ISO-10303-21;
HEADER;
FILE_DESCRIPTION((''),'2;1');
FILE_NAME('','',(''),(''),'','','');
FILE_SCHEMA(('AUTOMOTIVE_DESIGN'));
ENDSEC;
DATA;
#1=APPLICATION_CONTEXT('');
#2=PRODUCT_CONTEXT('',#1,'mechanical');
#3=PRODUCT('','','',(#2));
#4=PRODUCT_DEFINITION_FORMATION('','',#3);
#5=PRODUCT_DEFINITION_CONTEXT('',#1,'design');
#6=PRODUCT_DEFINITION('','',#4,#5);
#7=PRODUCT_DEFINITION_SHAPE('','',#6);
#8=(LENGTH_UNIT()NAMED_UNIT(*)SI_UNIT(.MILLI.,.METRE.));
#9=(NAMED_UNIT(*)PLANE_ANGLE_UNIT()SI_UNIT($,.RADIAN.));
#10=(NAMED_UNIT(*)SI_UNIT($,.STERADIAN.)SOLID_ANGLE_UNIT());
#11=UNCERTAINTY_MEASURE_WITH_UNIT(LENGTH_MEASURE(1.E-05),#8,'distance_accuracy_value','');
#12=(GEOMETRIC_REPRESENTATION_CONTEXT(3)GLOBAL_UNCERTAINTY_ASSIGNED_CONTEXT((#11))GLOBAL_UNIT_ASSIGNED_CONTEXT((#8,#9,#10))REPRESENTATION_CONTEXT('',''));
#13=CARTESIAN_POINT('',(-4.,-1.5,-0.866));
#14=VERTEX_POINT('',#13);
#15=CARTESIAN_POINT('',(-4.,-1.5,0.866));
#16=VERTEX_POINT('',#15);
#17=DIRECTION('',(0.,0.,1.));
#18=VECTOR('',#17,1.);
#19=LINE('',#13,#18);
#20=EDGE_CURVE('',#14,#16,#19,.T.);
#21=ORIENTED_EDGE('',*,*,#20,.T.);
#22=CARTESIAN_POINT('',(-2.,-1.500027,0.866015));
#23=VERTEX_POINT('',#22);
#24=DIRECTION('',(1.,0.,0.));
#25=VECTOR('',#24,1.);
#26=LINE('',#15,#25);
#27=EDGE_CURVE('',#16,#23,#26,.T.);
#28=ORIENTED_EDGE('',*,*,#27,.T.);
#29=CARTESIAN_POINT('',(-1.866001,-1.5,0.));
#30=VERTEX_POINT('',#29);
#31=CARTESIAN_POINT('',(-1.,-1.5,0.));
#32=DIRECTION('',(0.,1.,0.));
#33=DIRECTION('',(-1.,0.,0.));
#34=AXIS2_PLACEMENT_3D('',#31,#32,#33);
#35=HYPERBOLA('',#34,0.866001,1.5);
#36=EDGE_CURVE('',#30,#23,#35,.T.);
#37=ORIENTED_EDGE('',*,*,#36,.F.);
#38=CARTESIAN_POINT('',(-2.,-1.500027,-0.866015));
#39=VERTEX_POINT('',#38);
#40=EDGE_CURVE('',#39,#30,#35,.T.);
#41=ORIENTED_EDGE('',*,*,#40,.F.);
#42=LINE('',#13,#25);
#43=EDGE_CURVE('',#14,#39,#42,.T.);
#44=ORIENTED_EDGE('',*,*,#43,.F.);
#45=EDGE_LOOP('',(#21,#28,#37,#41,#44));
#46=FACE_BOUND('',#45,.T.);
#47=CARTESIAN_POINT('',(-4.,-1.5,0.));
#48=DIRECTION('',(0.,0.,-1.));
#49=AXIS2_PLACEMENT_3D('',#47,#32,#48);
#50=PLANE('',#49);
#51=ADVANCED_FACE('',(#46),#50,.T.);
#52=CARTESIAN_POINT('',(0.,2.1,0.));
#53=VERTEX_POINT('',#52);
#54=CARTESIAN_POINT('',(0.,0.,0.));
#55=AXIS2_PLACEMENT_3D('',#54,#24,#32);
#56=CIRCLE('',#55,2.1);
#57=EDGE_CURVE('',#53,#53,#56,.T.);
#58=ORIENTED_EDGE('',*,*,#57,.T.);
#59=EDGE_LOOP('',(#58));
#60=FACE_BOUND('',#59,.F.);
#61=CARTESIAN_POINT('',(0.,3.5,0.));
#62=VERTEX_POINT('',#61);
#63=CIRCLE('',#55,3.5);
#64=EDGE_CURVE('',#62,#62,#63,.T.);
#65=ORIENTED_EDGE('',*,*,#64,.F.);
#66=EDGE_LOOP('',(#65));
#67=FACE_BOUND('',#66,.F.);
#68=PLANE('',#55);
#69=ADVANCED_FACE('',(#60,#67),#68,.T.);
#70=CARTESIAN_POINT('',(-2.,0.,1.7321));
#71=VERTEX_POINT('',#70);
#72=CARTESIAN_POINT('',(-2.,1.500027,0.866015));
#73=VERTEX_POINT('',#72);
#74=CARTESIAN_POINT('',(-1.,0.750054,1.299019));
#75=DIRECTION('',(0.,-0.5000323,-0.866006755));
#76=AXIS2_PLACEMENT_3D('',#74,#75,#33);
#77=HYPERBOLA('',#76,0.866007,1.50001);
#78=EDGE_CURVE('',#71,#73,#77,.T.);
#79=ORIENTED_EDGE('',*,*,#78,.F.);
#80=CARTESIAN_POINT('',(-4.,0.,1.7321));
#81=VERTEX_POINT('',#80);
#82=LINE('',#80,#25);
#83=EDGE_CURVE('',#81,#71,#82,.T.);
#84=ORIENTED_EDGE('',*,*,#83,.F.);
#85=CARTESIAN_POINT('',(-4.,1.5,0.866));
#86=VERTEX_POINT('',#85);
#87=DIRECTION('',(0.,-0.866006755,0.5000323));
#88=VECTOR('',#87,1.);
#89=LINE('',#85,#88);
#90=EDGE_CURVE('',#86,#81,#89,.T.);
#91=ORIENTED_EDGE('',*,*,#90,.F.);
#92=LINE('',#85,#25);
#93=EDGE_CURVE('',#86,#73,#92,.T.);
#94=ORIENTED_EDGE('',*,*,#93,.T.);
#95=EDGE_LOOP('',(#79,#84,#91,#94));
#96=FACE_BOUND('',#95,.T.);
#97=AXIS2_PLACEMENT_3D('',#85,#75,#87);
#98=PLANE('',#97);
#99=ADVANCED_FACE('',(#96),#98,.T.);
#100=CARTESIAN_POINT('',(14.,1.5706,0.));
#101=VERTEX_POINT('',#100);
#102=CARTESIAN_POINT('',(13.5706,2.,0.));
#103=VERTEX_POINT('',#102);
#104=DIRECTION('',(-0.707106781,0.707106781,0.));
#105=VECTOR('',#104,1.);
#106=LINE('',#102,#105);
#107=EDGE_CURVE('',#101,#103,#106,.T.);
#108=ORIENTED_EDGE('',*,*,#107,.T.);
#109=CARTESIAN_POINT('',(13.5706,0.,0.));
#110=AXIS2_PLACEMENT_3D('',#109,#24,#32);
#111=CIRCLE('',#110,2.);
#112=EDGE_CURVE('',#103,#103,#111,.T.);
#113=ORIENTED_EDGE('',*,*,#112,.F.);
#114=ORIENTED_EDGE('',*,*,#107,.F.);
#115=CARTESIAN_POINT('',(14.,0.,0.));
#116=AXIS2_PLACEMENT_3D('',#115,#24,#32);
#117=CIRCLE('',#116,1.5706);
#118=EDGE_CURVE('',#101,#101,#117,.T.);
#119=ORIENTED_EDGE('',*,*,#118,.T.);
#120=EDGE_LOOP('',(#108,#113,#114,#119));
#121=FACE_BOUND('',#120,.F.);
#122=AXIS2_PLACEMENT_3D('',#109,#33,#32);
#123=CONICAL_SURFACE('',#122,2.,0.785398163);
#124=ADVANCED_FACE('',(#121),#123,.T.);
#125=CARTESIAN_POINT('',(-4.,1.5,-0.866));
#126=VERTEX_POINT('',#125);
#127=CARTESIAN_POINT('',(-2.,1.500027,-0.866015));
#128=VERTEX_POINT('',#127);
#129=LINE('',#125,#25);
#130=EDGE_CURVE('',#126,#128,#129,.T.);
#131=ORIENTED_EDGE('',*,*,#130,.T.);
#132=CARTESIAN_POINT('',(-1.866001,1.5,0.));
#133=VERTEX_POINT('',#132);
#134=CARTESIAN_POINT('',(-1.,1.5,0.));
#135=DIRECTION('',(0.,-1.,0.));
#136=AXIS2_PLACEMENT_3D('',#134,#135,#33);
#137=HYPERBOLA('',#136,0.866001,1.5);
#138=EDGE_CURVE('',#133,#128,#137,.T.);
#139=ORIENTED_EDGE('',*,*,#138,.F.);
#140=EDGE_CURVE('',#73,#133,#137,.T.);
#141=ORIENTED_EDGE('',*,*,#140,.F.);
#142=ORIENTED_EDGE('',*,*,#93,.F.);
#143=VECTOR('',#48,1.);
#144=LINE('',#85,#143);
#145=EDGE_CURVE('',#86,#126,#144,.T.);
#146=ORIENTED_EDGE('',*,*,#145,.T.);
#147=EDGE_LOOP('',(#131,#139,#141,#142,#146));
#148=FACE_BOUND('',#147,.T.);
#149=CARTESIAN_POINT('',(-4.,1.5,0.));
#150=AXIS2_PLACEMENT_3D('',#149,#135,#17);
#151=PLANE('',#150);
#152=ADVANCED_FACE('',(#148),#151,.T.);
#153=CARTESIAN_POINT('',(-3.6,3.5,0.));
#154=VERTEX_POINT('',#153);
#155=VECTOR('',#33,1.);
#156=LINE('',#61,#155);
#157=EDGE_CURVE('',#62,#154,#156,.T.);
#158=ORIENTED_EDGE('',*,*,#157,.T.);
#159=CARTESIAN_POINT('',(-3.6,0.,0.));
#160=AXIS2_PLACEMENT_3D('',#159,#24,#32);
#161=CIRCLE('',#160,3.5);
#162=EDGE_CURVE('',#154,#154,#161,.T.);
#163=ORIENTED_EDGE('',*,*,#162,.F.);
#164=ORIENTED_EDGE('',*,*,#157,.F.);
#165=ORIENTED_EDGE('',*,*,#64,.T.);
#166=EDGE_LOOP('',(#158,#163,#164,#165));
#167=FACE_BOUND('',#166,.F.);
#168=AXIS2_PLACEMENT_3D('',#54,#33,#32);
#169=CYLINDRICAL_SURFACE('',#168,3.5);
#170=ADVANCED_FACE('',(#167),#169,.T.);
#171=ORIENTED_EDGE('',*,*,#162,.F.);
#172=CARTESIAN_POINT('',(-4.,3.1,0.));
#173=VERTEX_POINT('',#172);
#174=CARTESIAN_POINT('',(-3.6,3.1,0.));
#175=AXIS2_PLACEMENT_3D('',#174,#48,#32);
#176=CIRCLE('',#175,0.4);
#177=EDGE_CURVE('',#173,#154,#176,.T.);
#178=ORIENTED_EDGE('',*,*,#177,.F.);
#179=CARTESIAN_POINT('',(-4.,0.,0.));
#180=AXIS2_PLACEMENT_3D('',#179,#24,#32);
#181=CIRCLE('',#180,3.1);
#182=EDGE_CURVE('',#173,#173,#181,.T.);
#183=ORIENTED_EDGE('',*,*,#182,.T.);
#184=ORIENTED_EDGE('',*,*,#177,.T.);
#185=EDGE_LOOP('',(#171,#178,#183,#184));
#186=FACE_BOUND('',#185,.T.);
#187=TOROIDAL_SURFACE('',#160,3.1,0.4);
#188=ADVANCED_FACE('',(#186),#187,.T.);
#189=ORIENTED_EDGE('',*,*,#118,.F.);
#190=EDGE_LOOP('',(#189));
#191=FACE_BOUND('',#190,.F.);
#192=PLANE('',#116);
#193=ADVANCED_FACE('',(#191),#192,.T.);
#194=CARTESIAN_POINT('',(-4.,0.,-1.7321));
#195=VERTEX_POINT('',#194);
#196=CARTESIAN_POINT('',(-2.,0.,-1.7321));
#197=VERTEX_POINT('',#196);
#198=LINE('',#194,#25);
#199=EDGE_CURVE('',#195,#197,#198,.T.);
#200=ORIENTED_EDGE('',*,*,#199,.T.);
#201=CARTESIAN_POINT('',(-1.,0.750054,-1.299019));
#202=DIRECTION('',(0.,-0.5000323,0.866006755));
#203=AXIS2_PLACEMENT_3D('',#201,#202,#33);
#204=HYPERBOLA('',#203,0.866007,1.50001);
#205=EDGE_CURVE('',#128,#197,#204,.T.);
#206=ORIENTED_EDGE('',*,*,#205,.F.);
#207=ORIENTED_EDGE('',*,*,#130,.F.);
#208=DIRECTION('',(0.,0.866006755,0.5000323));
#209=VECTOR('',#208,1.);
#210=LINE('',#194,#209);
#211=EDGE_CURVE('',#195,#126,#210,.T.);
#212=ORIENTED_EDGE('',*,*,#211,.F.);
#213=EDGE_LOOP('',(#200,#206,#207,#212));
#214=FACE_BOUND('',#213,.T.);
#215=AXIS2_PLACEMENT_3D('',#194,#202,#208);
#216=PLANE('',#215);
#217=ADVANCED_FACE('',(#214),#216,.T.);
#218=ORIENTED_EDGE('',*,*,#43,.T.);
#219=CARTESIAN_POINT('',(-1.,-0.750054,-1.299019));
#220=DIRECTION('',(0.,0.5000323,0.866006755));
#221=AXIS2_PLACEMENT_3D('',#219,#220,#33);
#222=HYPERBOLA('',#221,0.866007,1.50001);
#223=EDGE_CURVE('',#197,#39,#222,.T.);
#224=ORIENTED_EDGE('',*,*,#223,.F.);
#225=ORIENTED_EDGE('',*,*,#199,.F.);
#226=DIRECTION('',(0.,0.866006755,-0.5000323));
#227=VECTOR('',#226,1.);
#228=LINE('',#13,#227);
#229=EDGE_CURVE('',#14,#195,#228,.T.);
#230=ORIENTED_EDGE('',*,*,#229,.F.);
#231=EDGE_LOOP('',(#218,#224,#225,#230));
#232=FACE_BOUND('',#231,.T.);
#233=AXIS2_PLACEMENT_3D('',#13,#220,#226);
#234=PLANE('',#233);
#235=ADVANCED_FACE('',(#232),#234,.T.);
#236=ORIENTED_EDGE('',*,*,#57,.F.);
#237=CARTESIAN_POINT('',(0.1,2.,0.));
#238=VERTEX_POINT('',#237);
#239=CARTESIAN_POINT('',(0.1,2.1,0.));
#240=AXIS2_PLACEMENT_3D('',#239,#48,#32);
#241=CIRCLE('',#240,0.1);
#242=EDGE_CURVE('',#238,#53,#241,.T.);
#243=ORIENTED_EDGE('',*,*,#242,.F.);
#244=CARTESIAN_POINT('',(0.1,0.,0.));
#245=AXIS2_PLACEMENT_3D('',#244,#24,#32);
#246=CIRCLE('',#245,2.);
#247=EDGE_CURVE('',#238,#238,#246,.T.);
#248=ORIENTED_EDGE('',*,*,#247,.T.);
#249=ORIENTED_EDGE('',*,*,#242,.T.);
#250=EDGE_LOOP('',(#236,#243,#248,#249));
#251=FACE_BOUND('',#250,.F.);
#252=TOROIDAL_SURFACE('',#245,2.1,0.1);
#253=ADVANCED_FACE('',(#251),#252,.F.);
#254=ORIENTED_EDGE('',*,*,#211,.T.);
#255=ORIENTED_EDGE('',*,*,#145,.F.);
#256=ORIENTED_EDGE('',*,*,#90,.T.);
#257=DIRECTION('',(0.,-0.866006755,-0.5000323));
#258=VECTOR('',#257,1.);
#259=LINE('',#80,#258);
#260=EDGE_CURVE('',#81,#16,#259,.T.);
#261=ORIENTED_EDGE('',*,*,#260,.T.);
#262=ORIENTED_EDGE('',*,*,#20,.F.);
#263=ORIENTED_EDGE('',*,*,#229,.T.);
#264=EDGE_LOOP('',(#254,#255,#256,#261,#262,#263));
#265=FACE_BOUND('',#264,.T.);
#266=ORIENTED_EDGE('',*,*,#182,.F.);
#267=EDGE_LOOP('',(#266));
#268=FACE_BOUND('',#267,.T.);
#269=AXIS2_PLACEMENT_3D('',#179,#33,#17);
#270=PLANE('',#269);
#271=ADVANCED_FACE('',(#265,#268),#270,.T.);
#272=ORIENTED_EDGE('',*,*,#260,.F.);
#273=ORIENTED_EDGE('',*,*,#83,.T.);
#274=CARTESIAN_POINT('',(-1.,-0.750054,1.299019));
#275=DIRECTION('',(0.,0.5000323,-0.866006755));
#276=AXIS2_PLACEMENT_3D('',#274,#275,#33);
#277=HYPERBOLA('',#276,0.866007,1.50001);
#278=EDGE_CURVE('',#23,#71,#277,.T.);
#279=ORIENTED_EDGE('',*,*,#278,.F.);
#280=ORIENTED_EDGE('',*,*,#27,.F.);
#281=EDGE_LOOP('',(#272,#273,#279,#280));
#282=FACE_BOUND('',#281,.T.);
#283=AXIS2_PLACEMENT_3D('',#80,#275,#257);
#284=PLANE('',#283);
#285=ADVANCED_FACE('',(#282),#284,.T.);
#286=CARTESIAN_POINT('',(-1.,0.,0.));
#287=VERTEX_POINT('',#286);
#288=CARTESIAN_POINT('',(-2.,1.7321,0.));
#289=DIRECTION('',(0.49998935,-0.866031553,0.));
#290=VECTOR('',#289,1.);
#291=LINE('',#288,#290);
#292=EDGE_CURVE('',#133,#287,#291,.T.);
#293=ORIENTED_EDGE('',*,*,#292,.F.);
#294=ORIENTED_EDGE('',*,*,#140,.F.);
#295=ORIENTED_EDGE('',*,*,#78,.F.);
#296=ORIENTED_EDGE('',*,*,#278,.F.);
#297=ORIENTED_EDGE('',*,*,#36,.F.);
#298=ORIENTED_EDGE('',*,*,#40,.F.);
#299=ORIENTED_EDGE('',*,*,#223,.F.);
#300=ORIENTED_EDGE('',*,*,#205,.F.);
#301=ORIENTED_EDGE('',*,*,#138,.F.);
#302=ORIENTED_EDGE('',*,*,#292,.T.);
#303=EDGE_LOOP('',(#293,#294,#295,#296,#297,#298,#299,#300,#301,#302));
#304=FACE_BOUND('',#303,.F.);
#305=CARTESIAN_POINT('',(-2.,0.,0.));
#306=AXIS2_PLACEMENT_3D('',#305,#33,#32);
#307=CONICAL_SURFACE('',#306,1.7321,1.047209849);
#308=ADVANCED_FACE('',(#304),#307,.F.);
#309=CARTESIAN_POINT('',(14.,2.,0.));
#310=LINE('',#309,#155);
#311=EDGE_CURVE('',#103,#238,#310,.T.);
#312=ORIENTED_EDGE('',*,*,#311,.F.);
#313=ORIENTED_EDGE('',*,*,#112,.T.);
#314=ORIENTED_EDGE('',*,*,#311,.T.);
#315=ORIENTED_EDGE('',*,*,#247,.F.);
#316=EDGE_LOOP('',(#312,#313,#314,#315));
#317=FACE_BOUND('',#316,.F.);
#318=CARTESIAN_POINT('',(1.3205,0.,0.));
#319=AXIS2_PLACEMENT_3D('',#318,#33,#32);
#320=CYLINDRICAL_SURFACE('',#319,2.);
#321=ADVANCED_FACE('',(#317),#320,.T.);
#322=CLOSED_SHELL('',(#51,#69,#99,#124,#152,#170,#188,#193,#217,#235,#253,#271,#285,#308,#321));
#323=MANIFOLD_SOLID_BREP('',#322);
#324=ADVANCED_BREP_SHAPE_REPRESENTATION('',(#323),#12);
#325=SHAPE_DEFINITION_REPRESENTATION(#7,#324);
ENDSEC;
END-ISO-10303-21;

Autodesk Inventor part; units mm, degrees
ref_plane "YZ Plane" through (0, 0, 0) normal (1, 0, 0) x (0, 1, 0)
ref_plane "XZ Plane" through (0, 0, 0) normal (0, 1, 0) x (-1, 0, 0)
sketch "Sketch1" plane through (0, 0, 0) normal (0, 0, 1) x (1, 0, 0)
  line L0 (-1, 0) -> (14, 0)
  line L1 (14, 0) -> (14, 2)
  line L2 (14, 2) -> (1.75, 2)
  line L3 (1.75, 2) -> (1.3205, 2)
  line L4 (1.3205, 2) -> (0, 2)
  line L5 (0, 2) -> (0, 3.5)
  line L6 (0, 3.5) -> (-4, 3.5)
  line L7 (-4, 3.5) -> (-4, 1.7321)
  line L8 (-4, 1.7321) -> (-2, 1.7321)
  line L9 (-2, 1.7321) -> (-1, 0)
  line L10 (-21, 0) -> (56, 0) projected
  line L11 (0, -1.6) -> (0, 9.6) projected
  line L12 (1.75, 2) -> (0, 2) construction
  dimension "d1" = 12.25
  dimension "d2" = 0.4295
  dimension "d3" = 4
  dimension "d4" = 2
  dimension "d5" = 60
  dimension "d6" = 4
  dimension "d7" = 4
  dimension "d8" = 3.4641
  dimension "d9" = 7
  dimension "d26" = 14
revolve "Body" add sketch "Sketch1" angle 360 about axis through (-1, 0, 0) along (1, 0, 0)
sketch "Sketch2" plane through (-4, 0, 0) normal (-1, 0, 0) x (0, 0, 1)
  circle A0 centre (0, 0) radius 1.7321 projected
  line L0 (0, -6.4663) -> (0, 6.4663) projected
  line L1 (-6.4663, 0) -> (6.4663, 0) projected
  line L2 (1.7321, 0) -> (0.866, -1.5)
  line L3 (0.866, -1.5) -> (-0.866, -1.5)
  line L4 (-0.866, -1.5) -> (-1.7321, 0)
  line L5 (-1.7321, 0) -> (-0.866, 1.5)
  line L6 (-0.866, 1.5) -> (0.866, 1.5)
  line L7 (0.866, 1.5) -> (1.7321, 0)
extrude "Slot" add sketch "Sketch2" against normal up to next contours L7 A0 | A0 L2 | L6 L0 A0 | A0 L0 L3 | L0 L6 A0 | A0 L3 L0 | L4 A0 | A0 L5
fillet "Fillet1" radius 0.4 1 edges at (-4, -3.5, 0)
thread "Thread" size "M10x1.5" class "6g" standard "ANSI Metric M Profile" length 12.25
chamfer "Chamfer1" distance 0.4294 distance2 0.4294 1 edges at (14, -2, 0) measured on face at (14, 0.527, -0.2661)
ref_plane "Work Plane1" through (29, 0, 0) normal (0, -1, 0) x (1, 0, 0)
fillet "Fillet2" radius 0.1 1 edges at (0, -2, 0)
equation "\"d1\" = GEL"
equation "\"d3\" = KOH"
equation "\"d4\" = INTI"
equation "\"d6\" = GD"
equation "\"d7\" = BDM"
equation "\"d8\" = 1.1547 * SW"
equation "\"d9\" = KOD"
equation "\"d26\" = NLG"
equation "\"d30\" = R"
equation "\"d17\" = RR"
equation "\"d13\" = GEL"
equation "\"d15\" = -0.5 * SPD + 0.5 * GD"
equation "\"d16\" = GUL"
equation "\"GD\" = NND"
equation "\"NLG\" = 14"
equation "\"GEL\" = 12.25"
equation "\"KOD\" = 7"
equation "\"KOH\" = NND"
equation "\"INTI\" = 2"
equation "\"GAL\" = 0.61345 * PTC"
equation "\"GUL\" = 0.61345 * PTC"
equation "\"BDM\" = NND"
equation "\"SW\" = 3"
equation "\"RR\" = 0.1 * NND"
equation "\"SPD\" = NND - 1.2269 * PTC"
equation "\"R\" = 0.1"
equation "\"PHH\" = 0.13"
equation "\"GD1\" = THREADDIA - 1.2269 * PTC"
equation "\"THREADDIA\" = 4"
equation "\"FAWI\" = 45deg"
equation "\"PTC\" = 0.7"
equation "\"KOH1\" = 3.6"
equation "\"NND\" = 4"
equation "\"TOA\" = 30deg"
equation "\"E0\" = 1.155 * SW"
properties part number "AS 1420 - 1973 - M4 x 14" material "Steel, Mild"
